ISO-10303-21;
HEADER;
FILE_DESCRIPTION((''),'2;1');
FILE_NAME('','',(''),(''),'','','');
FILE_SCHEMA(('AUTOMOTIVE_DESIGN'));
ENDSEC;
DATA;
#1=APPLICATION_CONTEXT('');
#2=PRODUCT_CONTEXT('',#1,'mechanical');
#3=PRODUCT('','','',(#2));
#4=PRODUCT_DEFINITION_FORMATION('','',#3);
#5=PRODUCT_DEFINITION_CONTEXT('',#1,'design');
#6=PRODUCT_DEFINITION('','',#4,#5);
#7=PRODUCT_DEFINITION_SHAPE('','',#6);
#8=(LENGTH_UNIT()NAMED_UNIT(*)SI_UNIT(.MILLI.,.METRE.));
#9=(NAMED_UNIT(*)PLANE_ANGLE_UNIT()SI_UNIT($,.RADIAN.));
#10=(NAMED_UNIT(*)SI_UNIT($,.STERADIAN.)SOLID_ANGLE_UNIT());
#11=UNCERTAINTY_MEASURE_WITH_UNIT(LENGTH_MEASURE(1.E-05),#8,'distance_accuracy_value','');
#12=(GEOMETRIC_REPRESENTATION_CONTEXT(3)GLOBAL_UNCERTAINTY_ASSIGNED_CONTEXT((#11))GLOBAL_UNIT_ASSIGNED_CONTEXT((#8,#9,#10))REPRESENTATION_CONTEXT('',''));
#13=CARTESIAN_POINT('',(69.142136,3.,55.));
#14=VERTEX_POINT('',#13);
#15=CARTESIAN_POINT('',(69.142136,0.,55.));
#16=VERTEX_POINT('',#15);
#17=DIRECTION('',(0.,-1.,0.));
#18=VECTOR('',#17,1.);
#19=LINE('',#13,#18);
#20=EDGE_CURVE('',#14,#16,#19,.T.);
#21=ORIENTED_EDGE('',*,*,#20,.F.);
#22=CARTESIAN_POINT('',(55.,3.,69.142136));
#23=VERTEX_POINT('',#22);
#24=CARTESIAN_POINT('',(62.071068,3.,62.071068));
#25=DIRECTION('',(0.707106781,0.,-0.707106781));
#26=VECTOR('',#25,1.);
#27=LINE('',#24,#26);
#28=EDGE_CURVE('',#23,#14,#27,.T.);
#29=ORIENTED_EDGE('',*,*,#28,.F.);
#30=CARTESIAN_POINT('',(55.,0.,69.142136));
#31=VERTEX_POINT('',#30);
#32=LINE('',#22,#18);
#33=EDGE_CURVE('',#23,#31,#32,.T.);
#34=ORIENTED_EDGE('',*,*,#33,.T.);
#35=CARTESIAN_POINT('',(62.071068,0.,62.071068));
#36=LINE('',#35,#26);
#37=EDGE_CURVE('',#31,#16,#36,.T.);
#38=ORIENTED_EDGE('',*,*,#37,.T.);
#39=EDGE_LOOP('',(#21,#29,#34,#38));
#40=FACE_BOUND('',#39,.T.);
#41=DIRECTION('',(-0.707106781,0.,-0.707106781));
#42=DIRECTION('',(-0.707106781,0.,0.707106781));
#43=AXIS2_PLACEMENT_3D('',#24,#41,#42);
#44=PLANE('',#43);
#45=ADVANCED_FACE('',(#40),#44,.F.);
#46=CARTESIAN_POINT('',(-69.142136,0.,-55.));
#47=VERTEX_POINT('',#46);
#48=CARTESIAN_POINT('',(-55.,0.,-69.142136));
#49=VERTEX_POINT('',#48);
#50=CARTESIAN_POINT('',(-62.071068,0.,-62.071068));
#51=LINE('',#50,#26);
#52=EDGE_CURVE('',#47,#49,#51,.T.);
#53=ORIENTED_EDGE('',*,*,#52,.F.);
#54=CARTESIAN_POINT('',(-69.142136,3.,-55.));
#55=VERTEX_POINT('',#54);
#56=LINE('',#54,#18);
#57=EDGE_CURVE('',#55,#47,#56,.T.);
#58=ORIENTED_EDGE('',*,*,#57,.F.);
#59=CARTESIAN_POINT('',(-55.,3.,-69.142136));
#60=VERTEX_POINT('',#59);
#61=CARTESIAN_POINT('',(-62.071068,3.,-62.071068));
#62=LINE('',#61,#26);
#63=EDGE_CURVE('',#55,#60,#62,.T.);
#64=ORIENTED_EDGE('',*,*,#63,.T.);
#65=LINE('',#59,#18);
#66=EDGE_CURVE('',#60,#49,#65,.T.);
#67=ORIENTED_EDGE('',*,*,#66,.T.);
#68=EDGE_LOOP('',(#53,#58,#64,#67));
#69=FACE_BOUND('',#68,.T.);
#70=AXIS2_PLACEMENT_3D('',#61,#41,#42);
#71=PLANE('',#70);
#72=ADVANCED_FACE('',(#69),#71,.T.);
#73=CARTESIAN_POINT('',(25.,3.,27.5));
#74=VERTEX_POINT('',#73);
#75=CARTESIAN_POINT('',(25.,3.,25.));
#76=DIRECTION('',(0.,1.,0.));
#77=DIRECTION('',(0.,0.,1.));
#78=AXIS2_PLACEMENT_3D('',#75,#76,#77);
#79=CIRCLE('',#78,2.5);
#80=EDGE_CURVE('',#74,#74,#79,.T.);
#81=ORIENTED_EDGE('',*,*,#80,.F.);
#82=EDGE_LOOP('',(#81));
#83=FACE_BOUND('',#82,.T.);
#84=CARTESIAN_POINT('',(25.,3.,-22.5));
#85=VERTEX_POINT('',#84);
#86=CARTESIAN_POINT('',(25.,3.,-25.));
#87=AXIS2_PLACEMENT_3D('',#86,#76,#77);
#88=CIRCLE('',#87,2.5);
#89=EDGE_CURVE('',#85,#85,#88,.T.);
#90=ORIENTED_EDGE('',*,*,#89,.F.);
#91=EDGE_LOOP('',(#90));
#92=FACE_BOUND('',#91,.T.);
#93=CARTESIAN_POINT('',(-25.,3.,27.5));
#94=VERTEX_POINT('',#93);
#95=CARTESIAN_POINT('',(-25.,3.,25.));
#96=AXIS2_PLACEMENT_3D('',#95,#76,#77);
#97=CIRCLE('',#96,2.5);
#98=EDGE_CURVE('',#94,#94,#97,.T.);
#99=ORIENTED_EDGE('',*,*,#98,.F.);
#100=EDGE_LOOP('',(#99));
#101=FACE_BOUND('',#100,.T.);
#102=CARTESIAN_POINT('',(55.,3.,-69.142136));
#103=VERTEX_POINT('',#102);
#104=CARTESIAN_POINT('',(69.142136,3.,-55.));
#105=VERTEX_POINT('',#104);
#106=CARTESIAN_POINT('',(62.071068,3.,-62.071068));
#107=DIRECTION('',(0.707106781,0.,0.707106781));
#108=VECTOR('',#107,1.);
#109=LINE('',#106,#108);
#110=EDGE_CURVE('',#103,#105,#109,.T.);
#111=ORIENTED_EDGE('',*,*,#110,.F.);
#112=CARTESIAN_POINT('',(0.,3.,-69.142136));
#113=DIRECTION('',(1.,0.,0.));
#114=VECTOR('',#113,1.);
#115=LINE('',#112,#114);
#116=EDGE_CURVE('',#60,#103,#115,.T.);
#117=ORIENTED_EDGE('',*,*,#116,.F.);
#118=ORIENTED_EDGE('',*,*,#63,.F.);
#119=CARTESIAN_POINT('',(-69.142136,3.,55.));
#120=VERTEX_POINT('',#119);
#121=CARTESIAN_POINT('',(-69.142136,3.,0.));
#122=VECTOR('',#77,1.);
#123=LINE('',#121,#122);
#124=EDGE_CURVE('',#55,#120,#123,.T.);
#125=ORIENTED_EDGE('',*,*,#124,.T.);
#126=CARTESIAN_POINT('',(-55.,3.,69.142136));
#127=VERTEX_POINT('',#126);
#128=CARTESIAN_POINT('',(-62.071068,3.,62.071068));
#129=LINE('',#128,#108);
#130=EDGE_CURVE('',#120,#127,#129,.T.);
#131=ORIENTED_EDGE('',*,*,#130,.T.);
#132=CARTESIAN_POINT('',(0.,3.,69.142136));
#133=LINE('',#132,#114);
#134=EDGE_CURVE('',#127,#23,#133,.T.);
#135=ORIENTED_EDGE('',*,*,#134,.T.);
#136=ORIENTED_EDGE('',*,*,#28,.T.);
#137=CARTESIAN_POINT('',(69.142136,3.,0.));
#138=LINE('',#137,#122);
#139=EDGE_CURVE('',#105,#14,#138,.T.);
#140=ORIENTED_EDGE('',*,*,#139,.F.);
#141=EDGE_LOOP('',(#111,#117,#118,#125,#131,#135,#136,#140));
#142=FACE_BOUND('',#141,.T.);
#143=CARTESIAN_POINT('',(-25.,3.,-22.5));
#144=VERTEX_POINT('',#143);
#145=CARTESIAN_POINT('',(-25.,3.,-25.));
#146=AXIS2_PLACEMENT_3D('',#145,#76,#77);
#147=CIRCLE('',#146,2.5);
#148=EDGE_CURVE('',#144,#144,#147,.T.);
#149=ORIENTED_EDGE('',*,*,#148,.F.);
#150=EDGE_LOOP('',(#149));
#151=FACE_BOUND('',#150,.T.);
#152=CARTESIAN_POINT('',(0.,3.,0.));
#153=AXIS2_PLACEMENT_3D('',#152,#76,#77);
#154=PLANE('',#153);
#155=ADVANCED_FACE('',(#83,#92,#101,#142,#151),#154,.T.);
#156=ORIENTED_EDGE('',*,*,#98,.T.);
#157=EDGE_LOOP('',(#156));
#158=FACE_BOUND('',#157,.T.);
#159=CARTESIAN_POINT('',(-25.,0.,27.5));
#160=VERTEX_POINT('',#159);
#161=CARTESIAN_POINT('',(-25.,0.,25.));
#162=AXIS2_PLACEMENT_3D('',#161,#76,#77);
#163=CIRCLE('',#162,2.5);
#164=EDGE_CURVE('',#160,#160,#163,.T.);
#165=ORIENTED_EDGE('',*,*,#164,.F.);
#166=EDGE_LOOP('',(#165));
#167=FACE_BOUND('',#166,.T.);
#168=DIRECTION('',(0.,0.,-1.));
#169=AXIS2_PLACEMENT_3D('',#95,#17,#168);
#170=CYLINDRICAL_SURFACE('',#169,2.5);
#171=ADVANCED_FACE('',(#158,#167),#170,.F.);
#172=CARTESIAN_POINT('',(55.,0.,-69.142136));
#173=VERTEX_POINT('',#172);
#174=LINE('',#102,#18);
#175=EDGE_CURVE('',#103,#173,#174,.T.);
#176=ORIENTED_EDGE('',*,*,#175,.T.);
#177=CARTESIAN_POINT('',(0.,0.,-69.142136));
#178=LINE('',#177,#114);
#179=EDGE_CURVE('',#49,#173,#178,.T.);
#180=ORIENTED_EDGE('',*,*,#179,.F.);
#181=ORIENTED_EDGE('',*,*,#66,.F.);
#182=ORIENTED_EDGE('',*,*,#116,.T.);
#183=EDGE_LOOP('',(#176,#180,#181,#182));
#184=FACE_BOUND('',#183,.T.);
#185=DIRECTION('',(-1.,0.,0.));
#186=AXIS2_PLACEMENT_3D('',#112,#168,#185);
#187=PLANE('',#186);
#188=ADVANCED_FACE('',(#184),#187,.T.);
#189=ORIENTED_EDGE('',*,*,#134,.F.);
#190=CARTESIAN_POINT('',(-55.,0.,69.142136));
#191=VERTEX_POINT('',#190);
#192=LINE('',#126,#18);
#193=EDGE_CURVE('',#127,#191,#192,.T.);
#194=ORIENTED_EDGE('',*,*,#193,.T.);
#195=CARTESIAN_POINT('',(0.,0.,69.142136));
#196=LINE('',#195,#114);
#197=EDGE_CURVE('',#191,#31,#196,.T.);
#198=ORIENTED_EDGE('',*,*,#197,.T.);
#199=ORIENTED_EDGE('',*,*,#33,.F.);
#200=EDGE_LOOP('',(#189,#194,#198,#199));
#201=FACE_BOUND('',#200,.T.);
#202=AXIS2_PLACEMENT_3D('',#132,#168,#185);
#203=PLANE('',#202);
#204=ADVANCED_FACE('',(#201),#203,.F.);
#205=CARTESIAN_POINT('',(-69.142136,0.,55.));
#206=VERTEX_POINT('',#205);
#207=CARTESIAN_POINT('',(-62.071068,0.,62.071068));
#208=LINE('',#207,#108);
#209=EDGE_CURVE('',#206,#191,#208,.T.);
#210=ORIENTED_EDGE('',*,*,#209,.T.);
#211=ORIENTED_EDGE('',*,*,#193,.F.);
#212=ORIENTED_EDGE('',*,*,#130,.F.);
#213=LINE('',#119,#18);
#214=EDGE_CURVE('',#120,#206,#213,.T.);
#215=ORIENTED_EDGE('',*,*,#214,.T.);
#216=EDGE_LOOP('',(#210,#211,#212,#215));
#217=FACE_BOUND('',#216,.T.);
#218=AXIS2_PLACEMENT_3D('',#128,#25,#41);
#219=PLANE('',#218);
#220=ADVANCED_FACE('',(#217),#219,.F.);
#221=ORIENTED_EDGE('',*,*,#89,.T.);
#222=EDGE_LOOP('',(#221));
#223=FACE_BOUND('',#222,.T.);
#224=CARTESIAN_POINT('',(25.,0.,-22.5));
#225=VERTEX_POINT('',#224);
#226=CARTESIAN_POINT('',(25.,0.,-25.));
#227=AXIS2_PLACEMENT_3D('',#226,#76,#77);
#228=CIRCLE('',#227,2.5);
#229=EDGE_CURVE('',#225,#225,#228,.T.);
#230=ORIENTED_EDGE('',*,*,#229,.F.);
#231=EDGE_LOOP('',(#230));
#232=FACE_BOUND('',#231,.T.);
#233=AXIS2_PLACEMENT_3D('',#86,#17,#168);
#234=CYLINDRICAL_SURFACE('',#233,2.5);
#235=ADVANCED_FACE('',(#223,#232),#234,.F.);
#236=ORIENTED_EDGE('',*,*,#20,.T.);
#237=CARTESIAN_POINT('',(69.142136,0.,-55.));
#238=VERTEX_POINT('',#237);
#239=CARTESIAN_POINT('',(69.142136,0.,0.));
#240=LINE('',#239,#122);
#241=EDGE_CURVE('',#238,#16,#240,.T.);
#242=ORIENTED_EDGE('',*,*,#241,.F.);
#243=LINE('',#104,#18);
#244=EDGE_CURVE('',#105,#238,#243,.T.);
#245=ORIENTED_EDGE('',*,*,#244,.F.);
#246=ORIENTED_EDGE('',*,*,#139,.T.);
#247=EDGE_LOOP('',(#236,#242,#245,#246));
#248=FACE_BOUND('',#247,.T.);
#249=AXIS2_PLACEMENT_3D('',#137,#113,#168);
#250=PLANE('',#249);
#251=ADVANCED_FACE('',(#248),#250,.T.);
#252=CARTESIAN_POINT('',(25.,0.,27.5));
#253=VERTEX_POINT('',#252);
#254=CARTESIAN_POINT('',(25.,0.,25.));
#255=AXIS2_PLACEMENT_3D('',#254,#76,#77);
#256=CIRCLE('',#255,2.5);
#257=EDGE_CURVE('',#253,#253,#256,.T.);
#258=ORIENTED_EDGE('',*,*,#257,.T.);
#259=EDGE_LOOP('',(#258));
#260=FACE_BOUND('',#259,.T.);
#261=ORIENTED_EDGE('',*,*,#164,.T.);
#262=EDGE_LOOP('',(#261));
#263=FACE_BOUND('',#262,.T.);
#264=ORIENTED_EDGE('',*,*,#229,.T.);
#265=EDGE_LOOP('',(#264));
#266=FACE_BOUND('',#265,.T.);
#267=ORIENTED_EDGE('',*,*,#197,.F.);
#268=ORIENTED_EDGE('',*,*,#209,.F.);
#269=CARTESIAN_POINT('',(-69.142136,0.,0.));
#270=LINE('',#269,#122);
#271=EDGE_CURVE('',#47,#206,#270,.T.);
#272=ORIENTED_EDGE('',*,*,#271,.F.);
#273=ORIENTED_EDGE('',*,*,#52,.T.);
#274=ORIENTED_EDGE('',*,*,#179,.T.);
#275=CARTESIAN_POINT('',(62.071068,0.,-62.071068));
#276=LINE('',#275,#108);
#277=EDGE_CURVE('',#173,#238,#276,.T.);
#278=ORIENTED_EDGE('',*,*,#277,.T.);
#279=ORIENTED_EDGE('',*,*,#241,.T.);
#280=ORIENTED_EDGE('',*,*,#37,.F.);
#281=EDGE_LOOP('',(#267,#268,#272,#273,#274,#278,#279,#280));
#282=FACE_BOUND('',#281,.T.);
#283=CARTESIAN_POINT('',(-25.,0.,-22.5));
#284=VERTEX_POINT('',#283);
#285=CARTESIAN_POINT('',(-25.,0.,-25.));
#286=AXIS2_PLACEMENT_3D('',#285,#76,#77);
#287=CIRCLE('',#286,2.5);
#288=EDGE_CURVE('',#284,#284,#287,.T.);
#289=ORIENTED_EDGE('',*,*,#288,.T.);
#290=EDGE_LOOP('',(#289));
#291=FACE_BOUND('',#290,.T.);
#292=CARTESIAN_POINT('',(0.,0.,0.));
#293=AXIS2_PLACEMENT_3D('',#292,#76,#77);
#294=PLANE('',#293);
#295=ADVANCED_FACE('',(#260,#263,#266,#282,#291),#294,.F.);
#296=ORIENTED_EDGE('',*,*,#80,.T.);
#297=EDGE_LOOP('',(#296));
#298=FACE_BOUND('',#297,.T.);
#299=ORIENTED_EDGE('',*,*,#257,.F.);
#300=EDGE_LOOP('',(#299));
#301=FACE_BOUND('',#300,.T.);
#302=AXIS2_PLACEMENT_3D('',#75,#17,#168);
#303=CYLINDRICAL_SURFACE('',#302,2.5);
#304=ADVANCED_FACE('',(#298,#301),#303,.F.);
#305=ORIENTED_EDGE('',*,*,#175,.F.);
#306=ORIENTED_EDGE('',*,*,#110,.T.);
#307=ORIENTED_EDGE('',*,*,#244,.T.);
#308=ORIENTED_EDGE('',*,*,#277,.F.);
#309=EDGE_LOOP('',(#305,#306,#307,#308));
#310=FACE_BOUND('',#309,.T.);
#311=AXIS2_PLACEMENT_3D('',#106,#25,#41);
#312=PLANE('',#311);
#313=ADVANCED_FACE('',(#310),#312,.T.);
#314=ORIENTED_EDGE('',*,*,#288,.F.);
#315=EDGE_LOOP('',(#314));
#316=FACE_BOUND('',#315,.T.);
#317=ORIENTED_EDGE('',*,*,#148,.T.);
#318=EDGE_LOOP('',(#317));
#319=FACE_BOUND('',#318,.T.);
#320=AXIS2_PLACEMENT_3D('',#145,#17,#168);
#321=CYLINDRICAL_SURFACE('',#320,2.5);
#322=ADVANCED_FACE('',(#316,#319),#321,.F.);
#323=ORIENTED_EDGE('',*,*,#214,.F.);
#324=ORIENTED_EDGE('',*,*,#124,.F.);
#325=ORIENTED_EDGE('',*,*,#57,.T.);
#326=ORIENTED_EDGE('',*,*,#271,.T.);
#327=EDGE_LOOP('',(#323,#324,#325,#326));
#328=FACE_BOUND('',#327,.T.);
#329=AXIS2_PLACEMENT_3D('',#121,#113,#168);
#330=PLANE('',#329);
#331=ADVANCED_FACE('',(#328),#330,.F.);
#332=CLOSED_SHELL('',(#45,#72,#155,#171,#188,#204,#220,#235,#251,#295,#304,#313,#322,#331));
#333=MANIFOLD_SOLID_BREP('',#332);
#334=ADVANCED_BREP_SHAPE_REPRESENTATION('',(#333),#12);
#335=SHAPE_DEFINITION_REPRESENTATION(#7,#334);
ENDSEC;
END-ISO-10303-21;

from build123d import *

# Parameters (mm, degrees)
SKETCH1_R           = 2.5
BOSS_EXTRUDE2_DEPTH = 3


with BuildPart() as part:
    # Sketch1 → Boss-Extrude2 (new body)
    with BuildSketch(Plane(origin=(0, 0, 0), x_dir=(1, 0, 0), z_dir=(0, 1, 0))):
        Polygon((-69.142135624, 55), (-55, 69.142135624), (55, 69.142135624), (69.142135624, 55), (69.142135624, -55), (55, -69.142135624), (-55, -69.142135624), (-69.142135624, -55), align=None)
        with Locations((-25, 25)):
            Circle(SKETCH1_R, mode=Mode.SUBTRACT)
        with Locations((25, 25)):
            Circle(SKETCH1_R, mode=Mode.SUBTRACT)
        with Locations((25, -25)):
            Circle(SKETCH1_R, mode=Mode.SUBTRACT)
        with Locations((-25, -25)):
            Circle(SKETCH1_R, mode=Mode.SUBTRACT)
    extrude(amount=BOSS_EXTRUDE2_DEPTH)


solid = part.part
